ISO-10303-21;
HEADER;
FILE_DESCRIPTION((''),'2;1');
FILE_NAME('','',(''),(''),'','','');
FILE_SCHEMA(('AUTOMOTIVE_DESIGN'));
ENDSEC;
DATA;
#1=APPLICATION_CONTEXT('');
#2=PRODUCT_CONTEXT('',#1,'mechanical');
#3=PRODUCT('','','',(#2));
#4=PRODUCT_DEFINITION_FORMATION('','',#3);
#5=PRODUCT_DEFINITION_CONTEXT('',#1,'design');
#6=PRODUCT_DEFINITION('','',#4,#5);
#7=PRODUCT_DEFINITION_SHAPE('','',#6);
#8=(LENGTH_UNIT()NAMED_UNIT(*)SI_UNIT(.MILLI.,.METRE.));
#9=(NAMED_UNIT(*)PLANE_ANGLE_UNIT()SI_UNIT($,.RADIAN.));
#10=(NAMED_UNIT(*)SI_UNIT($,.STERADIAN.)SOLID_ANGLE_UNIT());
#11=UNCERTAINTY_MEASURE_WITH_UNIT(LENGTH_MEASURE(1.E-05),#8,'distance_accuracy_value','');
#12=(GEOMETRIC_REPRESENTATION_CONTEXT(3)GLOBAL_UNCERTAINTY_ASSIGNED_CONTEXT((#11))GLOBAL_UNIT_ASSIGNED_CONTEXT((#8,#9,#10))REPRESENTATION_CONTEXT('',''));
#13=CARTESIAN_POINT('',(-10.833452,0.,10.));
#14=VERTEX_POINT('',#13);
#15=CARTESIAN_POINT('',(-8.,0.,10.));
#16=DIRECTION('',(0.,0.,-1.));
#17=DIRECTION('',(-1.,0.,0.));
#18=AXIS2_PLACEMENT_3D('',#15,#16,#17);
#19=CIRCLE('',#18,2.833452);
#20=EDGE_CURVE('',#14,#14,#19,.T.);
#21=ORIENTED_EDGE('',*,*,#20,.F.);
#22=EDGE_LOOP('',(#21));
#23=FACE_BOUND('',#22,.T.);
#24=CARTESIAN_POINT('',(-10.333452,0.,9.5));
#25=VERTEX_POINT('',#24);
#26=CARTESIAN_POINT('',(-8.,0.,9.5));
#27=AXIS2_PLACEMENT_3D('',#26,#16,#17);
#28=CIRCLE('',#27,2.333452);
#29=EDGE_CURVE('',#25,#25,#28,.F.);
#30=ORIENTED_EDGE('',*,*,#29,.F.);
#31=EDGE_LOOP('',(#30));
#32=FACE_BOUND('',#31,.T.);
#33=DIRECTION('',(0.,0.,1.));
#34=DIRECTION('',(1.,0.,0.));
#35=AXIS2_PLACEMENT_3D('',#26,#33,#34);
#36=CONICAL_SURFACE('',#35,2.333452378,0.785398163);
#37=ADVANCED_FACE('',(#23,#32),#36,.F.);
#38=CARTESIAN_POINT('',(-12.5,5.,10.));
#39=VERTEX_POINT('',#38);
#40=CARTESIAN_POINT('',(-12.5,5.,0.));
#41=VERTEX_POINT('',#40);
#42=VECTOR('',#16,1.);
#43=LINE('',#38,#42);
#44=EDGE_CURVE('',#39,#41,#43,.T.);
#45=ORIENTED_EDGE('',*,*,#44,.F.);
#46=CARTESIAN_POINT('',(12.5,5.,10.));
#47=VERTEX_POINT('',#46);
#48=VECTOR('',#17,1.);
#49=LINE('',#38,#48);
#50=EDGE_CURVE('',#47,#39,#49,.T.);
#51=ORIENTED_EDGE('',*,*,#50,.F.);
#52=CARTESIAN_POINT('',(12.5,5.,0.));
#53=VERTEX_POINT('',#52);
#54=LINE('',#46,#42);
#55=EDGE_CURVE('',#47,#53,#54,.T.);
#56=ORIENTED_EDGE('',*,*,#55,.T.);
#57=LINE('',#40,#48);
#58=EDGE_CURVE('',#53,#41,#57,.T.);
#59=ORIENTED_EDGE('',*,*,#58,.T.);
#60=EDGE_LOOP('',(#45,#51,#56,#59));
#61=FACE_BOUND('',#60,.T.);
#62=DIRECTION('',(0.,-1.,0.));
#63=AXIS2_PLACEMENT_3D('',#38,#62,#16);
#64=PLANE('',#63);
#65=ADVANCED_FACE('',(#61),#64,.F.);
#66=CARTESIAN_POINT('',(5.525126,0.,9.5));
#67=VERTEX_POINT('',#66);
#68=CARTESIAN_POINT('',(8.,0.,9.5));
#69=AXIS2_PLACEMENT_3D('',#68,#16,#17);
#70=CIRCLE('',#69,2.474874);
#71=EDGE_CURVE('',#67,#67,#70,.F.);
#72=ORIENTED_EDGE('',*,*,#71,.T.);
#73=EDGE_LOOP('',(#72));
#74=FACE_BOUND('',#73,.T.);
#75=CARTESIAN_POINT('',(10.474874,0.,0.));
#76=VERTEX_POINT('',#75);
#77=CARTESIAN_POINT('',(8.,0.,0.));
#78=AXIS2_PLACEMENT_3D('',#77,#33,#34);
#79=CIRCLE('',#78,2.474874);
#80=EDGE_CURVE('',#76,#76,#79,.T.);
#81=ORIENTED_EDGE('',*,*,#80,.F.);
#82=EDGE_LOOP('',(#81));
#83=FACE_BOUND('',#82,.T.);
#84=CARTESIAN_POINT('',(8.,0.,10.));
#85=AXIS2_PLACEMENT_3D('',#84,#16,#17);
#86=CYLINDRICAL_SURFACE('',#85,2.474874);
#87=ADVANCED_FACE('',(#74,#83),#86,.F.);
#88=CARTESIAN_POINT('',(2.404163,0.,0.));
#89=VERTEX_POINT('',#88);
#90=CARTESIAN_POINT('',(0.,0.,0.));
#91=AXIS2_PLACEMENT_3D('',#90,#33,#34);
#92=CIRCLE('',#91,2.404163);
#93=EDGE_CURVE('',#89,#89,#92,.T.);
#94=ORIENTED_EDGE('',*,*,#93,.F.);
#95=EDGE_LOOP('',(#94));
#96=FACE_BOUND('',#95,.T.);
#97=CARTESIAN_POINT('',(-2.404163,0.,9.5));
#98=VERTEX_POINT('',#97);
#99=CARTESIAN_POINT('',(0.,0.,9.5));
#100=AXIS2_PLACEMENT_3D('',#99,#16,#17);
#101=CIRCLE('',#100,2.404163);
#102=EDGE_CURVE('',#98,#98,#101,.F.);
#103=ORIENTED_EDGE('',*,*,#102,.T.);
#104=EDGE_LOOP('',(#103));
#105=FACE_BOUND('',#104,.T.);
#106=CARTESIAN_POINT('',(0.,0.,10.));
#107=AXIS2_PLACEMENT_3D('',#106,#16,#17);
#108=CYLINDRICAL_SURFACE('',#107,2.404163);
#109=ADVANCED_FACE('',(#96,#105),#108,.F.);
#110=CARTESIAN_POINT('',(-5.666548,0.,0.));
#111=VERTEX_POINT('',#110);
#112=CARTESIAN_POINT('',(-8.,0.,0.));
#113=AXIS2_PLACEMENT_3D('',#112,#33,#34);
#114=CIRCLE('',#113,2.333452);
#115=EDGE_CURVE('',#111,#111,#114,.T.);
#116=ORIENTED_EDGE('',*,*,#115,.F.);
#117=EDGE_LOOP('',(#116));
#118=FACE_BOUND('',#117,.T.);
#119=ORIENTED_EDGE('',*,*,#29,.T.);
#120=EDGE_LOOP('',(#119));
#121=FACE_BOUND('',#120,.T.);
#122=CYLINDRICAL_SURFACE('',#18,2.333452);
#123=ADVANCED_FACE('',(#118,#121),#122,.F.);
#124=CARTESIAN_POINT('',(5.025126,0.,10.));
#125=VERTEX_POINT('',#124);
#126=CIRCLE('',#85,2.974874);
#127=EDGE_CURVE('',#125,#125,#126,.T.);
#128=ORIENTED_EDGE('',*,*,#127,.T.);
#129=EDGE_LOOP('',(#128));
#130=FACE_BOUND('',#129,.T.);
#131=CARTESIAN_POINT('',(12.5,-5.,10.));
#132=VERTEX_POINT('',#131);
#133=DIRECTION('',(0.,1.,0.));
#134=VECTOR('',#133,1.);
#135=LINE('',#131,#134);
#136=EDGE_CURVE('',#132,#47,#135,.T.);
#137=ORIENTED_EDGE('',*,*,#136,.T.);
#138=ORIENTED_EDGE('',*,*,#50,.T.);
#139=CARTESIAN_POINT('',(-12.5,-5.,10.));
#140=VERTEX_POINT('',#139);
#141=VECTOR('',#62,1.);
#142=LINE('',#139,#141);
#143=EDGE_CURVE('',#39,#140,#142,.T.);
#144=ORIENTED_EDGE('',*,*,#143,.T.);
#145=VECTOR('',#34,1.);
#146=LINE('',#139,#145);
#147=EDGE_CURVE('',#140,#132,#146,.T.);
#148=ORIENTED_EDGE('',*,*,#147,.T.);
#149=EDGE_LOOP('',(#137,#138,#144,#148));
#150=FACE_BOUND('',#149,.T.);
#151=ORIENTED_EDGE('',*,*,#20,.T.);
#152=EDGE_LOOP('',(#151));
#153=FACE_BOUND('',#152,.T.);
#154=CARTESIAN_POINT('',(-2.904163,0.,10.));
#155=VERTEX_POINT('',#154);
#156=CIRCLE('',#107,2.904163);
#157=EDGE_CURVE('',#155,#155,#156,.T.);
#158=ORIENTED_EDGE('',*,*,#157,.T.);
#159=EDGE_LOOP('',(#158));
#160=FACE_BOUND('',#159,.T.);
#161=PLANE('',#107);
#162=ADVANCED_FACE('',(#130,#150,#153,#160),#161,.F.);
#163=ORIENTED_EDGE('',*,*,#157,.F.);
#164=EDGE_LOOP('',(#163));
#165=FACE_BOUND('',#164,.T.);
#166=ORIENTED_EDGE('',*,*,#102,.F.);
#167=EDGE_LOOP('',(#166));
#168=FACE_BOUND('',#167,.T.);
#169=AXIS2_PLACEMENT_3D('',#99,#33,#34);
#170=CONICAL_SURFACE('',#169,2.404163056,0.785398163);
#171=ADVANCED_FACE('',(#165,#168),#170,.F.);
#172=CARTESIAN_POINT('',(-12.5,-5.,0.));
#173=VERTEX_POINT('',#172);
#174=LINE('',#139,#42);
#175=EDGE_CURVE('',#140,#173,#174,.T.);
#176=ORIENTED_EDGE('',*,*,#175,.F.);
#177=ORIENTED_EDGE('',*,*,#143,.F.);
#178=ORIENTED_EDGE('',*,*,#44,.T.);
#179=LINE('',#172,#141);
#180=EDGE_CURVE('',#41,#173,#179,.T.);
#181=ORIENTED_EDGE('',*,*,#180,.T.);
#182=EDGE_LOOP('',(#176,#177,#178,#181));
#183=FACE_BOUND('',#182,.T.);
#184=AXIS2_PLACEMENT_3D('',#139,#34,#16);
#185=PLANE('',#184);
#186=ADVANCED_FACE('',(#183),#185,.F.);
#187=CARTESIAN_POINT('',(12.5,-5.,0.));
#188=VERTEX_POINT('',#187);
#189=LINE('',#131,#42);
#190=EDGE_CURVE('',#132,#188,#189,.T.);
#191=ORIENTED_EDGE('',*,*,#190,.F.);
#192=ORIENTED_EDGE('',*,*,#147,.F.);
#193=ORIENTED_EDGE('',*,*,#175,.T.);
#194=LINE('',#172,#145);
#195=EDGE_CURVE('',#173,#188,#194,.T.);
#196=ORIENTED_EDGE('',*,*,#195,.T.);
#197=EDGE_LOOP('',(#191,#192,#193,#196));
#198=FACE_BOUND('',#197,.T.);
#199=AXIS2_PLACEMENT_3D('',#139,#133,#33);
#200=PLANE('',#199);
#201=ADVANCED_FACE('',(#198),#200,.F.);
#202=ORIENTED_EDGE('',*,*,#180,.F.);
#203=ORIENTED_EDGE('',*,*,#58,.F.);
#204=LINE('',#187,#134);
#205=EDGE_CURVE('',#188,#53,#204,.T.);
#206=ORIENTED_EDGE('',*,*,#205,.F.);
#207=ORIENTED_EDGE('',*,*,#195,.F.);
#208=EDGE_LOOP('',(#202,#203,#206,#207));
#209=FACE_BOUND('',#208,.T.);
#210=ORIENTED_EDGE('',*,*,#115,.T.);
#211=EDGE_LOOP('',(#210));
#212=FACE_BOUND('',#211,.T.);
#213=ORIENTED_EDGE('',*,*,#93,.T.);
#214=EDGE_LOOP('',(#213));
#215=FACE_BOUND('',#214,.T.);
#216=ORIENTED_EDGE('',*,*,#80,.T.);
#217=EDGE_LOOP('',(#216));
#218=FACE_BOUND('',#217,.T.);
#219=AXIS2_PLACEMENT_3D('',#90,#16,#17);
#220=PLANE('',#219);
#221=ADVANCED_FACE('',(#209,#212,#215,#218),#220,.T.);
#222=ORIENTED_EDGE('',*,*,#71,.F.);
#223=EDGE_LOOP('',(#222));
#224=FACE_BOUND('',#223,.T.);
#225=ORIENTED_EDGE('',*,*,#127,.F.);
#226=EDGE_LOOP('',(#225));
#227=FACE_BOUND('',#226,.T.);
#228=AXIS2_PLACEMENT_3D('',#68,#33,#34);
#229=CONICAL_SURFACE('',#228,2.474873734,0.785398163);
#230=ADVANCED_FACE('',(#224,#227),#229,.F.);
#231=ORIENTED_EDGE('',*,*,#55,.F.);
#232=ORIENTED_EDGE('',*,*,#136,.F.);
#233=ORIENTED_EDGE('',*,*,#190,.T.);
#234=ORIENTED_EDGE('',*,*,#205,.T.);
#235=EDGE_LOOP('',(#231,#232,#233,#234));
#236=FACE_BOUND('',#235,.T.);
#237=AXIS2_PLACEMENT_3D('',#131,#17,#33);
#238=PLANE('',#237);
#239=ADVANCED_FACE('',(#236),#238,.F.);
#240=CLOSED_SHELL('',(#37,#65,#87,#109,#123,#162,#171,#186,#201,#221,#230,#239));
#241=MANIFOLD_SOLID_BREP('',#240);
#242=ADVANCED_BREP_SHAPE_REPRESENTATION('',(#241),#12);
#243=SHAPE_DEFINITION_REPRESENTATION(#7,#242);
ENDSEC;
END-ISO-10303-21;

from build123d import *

# Parameters (mm, degrees)
SKETCH1_W           = 25
SKETCH1_H           = 10
SKETCH1_R           = 2.404163056
SKETCH1_R_2         = 2.333452378
SKETCH1_R_3         = 2.474873734
BOSS_EXTRUDE1_DEPTH = 10
CHAMFER1_SIZE       = 0.5


with BuildPart() as part:
    # Sketch1 → Boss-Extrude1 (new body)
    with BuildSketch(Plane.XY):
        Rectangle(SKETCH1_W, SKETCH1_H)
        Circle(SKETCH1_R, mode=Mode.SUBTRACT)
        with Locations((-8, 0)):
            Circle(SKETCH1_R_2, mode=Mode.SUBTRACT)
        with Locations((8, 0)):
            Circle(SKETCH1_R_3, mode=Mode.SUBTRACT)
    extrude(amount=BOSS_EXTRUDE1_DEPTH)

    # Chamfer1
    chamfer1_edges = [part.edges().sort_by_distance(p)[0] for p in [
        (-2.404163056, 0, 10),
        (5.525126266, 0, 10),
        (-10.333452378, 0, 10),
    ]]
    chamfer(chamfer1_edges, length=CHAMFER1_SIZE)


solid = part.part
